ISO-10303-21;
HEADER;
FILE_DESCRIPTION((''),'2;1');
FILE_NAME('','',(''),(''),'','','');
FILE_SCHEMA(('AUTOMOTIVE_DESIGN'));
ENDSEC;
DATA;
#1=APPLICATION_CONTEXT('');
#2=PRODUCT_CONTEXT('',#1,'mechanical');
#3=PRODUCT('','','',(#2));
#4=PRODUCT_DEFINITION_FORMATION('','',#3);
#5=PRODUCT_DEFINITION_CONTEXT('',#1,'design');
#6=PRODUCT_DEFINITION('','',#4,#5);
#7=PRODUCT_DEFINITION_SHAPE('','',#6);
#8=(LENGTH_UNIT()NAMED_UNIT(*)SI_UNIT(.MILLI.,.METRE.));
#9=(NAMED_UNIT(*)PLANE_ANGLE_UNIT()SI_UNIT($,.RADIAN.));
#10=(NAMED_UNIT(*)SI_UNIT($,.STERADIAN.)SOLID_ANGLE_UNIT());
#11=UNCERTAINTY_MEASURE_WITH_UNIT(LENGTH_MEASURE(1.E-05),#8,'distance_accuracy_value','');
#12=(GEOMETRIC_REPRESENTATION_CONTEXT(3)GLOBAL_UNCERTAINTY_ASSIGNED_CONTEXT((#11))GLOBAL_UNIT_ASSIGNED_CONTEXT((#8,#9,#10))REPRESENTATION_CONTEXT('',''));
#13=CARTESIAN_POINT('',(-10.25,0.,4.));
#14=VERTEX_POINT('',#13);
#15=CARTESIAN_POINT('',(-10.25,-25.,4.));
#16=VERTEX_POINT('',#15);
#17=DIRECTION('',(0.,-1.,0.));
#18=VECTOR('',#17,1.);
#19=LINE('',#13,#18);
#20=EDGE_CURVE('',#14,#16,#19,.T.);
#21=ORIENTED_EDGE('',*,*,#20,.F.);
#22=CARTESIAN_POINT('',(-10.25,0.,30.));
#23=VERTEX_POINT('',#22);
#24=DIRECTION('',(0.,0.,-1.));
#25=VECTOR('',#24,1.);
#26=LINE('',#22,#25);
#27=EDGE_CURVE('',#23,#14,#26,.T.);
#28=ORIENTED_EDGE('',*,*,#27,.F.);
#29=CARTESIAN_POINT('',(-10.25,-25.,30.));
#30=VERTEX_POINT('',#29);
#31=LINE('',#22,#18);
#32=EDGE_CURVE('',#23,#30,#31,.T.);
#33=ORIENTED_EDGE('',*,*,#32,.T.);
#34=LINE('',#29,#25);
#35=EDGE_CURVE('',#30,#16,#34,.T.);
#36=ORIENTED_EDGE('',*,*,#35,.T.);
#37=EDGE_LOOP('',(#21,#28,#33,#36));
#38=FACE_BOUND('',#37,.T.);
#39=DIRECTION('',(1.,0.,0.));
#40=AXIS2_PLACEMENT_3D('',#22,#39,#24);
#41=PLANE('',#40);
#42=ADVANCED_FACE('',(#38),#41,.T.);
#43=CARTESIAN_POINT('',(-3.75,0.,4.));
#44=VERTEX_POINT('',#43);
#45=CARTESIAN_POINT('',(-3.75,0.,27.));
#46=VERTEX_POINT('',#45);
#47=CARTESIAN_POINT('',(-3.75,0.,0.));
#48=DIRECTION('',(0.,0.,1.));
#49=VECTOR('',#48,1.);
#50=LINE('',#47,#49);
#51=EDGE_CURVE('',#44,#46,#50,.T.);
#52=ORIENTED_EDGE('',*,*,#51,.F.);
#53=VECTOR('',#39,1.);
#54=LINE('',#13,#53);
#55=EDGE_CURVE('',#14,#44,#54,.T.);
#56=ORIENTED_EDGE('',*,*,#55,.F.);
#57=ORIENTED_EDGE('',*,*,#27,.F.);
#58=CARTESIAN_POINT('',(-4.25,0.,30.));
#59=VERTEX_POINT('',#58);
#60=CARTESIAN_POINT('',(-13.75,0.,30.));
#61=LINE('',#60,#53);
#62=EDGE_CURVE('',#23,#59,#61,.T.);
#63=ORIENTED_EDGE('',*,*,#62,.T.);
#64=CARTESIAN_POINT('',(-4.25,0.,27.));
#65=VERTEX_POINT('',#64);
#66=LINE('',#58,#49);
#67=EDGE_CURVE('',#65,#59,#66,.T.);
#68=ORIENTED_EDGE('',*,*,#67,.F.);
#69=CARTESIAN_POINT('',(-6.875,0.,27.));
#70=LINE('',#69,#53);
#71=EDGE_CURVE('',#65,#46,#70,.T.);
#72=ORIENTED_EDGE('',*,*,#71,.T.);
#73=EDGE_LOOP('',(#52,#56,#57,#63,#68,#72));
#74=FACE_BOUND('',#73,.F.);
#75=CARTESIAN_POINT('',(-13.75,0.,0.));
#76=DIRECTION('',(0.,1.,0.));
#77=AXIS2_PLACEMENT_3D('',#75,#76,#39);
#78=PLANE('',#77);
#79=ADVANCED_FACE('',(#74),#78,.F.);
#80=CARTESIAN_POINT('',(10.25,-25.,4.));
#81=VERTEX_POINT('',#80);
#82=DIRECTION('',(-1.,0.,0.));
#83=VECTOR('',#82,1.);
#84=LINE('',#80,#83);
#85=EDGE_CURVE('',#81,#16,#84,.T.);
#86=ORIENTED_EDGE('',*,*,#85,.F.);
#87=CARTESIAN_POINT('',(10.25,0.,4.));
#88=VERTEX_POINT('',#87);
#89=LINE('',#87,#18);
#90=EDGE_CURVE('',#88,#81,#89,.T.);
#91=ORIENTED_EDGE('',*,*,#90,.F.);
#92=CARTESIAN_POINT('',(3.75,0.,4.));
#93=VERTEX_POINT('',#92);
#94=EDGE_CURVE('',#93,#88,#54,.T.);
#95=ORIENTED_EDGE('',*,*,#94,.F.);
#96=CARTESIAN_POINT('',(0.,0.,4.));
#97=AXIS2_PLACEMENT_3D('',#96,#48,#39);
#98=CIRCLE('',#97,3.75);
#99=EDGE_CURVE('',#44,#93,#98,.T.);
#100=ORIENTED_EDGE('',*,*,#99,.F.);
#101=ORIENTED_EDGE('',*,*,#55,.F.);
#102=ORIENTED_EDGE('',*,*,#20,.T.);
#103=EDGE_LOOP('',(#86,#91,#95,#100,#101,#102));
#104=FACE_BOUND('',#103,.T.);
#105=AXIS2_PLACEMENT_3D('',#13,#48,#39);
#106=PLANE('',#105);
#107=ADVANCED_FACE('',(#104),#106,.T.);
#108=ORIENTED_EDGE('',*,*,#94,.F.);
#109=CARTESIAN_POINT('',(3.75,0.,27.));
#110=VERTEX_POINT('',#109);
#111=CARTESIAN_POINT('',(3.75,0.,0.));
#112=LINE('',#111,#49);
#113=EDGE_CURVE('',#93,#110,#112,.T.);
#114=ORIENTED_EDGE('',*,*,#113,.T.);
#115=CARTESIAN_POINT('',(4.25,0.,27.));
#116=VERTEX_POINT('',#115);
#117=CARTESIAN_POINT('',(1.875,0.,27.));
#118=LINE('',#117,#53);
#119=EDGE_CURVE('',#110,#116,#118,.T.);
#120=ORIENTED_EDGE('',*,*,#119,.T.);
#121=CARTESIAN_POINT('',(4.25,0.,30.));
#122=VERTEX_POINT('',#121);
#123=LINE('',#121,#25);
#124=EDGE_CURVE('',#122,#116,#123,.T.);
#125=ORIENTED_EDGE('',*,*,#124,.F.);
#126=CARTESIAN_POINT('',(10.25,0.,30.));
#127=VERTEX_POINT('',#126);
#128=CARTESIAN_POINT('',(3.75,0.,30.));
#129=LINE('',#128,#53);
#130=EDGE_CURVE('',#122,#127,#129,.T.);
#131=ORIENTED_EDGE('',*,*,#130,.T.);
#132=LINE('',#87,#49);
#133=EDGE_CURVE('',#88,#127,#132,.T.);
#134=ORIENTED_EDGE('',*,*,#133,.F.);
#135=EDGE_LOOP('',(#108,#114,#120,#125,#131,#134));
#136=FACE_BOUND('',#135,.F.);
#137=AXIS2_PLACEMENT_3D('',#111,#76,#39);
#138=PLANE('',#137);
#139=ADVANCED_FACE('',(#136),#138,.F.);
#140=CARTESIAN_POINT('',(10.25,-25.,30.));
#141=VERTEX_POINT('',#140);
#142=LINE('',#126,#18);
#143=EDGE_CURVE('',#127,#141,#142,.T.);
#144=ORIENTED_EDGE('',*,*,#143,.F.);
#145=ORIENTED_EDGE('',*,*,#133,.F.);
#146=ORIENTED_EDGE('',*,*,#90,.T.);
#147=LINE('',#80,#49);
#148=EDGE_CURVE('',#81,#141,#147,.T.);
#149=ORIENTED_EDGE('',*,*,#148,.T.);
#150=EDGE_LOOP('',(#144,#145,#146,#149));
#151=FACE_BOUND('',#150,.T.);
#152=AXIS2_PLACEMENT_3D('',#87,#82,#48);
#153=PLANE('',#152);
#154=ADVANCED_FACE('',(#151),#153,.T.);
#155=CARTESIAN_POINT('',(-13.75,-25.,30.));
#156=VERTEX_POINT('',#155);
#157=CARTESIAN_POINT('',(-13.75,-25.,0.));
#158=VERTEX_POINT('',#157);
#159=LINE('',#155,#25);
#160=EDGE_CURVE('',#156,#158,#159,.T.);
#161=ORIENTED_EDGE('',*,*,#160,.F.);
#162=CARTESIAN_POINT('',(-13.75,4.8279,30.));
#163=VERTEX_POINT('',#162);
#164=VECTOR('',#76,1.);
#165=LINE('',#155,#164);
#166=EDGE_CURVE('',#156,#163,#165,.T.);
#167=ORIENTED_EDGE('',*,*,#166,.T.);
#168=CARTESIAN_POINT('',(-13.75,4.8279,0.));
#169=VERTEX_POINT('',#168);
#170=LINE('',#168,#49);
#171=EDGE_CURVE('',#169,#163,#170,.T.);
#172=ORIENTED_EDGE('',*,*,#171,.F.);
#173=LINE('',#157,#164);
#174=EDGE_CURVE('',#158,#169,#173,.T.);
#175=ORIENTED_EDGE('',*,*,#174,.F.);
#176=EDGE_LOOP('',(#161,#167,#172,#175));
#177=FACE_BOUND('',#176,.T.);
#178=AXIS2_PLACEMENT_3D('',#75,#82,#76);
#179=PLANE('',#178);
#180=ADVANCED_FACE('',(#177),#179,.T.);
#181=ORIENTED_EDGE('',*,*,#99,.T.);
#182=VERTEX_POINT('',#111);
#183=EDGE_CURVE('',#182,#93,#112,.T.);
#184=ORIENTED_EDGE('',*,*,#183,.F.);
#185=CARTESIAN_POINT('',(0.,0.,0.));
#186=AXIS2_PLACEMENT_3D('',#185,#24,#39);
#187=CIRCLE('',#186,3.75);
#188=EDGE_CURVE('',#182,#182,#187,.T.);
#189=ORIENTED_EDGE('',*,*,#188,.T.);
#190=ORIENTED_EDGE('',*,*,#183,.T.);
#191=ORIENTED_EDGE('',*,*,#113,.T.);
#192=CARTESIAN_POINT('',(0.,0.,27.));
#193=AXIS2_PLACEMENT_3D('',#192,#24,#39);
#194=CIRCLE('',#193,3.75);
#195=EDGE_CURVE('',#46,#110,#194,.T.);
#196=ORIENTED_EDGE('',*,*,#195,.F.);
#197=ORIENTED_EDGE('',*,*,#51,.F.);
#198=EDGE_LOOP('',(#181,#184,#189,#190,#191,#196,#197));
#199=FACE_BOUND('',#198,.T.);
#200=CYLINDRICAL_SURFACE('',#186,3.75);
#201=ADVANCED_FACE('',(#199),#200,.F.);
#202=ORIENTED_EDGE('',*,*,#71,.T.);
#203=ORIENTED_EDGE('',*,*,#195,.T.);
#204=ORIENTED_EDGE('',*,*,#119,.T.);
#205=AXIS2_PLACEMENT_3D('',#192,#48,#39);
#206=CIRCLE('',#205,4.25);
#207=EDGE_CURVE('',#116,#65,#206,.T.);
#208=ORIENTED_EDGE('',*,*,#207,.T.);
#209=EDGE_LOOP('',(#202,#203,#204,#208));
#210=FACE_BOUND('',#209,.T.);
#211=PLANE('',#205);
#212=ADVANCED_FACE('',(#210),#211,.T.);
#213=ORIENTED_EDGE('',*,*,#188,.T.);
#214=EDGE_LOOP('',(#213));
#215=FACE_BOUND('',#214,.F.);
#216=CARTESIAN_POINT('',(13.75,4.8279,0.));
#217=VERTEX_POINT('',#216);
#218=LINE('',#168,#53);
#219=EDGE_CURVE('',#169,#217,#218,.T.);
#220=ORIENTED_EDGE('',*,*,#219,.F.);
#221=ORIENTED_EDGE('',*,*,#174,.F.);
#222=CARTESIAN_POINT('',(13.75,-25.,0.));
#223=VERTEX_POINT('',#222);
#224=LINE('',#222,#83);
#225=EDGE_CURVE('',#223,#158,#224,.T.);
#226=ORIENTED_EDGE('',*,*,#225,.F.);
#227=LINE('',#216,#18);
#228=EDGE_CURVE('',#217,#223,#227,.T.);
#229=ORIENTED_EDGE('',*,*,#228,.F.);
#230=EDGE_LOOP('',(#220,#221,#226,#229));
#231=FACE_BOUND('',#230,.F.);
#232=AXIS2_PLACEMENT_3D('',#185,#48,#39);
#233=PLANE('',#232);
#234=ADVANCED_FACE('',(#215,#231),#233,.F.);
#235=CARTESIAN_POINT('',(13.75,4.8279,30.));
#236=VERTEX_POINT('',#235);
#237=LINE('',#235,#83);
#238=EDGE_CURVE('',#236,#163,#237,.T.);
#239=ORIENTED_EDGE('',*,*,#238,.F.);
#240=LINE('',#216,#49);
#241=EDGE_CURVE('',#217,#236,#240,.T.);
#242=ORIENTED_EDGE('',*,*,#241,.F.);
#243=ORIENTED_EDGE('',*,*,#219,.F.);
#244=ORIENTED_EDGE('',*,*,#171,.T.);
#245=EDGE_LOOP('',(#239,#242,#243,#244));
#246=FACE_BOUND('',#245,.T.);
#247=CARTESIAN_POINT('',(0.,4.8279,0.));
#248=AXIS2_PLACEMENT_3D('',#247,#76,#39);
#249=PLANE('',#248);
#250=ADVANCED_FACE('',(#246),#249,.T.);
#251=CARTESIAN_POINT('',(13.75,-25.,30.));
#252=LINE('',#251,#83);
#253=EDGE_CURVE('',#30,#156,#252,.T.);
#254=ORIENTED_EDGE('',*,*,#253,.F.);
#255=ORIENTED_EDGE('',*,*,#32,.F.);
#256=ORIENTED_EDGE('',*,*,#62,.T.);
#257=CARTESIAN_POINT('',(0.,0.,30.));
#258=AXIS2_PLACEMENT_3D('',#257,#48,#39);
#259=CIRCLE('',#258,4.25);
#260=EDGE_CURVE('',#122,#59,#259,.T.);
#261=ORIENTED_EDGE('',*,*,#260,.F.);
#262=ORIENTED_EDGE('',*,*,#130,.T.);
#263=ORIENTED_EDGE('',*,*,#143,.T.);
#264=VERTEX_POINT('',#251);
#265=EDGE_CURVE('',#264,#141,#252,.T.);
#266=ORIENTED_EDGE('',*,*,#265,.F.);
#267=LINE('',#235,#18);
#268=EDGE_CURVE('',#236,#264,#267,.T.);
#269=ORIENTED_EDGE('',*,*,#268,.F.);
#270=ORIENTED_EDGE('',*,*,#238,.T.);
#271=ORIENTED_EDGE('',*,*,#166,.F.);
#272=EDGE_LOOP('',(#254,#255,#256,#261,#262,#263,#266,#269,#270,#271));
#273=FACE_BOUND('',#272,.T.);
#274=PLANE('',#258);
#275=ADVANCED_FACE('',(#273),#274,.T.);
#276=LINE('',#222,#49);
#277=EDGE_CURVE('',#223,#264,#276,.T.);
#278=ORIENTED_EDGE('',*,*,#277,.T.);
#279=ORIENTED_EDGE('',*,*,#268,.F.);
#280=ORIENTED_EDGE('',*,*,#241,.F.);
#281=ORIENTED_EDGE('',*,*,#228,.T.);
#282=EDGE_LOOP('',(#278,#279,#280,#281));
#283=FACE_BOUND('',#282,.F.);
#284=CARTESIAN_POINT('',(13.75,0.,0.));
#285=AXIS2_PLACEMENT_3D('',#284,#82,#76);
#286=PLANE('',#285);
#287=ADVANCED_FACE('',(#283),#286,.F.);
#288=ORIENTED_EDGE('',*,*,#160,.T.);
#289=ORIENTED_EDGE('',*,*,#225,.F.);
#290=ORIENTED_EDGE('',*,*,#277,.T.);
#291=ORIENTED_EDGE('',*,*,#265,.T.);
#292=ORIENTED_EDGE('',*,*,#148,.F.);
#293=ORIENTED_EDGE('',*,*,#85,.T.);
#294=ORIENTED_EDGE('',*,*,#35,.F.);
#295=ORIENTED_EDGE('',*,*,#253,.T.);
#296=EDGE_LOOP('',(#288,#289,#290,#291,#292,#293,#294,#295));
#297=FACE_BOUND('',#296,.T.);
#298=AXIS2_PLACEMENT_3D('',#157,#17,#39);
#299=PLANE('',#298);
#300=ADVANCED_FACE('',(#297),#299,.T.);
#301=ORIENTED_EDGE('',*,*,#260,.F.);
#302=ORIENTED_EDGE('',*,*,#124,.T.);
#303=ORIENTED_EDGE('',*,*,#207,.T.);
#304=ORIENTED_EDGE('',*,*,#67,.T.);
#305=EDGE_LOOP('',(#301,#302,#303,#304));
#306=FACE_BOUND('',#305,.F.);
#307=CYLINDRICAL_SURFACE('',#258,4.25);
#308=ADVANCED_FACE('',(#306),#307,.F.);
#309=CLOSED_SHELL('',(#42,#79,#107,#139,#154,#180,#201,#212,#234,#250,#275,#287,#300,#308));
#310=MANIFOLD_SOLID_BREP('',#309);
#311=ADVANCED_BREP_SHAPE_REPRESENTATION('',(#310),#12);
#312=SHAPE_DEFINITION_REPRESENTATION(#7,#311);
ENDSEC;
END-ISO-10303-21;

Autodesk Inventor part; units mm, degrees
ref_plane "YZ Plane" through (0, 0, 0) normal (1, 0, 0) x (0, 1, 0)
ref_plane "XZ Plane" through (0, 0, 0) normal (0, 1, 0) x (-1, 0, 0)
ref_plane "XY Plane" through (0, 0, 0) normal (0, 0, 1) x (1, 0, 0)
sketch "Эскиз1" plane through (0, 0, 0) normal (0, 0, 1) x (1, 0, 0)
  arc A0 (3.75, 0) -> (-3.75, 0) centre (0, 0) ccw
  line L0 (-3.75, 0) -> (-13.75, 0) construction
  line L1 (-13.75, 4.8279) -> (13.75, 4.8279)
  line L2 (-13.75, 0) -> (-3.75, 0)
  line L3 (3.75, 0) -> (13.75, 0)
  line L4 (0, 9.2451) -> (0, -5.452)
  line L5 (-13.75, 0) -> (-13.75, 4.8279)
  line L6 (13.75, 0) -> (13.75, 4.8279)
  point P0 (0, 4.8279)
  dimension "d25" = 3.75
extrude "Выдавливание1" add sketch "Эскиз1" along normal blind 30
sketch "Эскиз4" plane through (0, 0, 30) normal (0, 0, 1) x (1, 0, 0)
  circle A0 centre (0, 0) radius 4.25
  dimension "d22" = 8.5
extrude "Выдавливание4" cut sketch "Эскиз4" against normal blind 3
sketch "Эскиз5" plane through (-13.75, 0, 0) normal (0, -1, 0) x (1, 0, 0)
  line L0 (23.75, -2.1369) -> (23.75, 32.4902)
  line L1 (27.5, 30) -> (0, 30) projected
  line L2 (0, 30) -> (3.5, 30)
  line L3 (0, 30) -> (0, 0)
  line L4 (0, 0) -> (27.5, 0) projected
  line L5 (0, 0) -> (27.5, 0)
  line L6 (27.5, 0) -> (27.5, 30)
  line L7 (27.5, 30) -> (24, 30)
  line L8 (3.5, 4) -> (24, 4)
  line L9 (24, 4) -> (24, 30)
  line L10 (3.5, 30) -> (3.5, 4)
  point P0 (13.75, 0)
  dimension "d26" = 3.5
  dimension "d27" = 3.5
extrude "Выдавливание5" add sketch "Эскиз5" along normal blind 25 contours L4 L3 L1 L10 L8 L0 | L0 L8 L9 L1 L6 L4
sketch "Эскиз6" plane through (-3.75, 0, 4) normal (0, 0, 1) x (1, 0, 0)
  circle A0 centre (3.75, 0) radius 3.75
extrude "Выдавливание6" cut sketch "Эскиз6" against normal blind 25
properties part number "mini_holder"
